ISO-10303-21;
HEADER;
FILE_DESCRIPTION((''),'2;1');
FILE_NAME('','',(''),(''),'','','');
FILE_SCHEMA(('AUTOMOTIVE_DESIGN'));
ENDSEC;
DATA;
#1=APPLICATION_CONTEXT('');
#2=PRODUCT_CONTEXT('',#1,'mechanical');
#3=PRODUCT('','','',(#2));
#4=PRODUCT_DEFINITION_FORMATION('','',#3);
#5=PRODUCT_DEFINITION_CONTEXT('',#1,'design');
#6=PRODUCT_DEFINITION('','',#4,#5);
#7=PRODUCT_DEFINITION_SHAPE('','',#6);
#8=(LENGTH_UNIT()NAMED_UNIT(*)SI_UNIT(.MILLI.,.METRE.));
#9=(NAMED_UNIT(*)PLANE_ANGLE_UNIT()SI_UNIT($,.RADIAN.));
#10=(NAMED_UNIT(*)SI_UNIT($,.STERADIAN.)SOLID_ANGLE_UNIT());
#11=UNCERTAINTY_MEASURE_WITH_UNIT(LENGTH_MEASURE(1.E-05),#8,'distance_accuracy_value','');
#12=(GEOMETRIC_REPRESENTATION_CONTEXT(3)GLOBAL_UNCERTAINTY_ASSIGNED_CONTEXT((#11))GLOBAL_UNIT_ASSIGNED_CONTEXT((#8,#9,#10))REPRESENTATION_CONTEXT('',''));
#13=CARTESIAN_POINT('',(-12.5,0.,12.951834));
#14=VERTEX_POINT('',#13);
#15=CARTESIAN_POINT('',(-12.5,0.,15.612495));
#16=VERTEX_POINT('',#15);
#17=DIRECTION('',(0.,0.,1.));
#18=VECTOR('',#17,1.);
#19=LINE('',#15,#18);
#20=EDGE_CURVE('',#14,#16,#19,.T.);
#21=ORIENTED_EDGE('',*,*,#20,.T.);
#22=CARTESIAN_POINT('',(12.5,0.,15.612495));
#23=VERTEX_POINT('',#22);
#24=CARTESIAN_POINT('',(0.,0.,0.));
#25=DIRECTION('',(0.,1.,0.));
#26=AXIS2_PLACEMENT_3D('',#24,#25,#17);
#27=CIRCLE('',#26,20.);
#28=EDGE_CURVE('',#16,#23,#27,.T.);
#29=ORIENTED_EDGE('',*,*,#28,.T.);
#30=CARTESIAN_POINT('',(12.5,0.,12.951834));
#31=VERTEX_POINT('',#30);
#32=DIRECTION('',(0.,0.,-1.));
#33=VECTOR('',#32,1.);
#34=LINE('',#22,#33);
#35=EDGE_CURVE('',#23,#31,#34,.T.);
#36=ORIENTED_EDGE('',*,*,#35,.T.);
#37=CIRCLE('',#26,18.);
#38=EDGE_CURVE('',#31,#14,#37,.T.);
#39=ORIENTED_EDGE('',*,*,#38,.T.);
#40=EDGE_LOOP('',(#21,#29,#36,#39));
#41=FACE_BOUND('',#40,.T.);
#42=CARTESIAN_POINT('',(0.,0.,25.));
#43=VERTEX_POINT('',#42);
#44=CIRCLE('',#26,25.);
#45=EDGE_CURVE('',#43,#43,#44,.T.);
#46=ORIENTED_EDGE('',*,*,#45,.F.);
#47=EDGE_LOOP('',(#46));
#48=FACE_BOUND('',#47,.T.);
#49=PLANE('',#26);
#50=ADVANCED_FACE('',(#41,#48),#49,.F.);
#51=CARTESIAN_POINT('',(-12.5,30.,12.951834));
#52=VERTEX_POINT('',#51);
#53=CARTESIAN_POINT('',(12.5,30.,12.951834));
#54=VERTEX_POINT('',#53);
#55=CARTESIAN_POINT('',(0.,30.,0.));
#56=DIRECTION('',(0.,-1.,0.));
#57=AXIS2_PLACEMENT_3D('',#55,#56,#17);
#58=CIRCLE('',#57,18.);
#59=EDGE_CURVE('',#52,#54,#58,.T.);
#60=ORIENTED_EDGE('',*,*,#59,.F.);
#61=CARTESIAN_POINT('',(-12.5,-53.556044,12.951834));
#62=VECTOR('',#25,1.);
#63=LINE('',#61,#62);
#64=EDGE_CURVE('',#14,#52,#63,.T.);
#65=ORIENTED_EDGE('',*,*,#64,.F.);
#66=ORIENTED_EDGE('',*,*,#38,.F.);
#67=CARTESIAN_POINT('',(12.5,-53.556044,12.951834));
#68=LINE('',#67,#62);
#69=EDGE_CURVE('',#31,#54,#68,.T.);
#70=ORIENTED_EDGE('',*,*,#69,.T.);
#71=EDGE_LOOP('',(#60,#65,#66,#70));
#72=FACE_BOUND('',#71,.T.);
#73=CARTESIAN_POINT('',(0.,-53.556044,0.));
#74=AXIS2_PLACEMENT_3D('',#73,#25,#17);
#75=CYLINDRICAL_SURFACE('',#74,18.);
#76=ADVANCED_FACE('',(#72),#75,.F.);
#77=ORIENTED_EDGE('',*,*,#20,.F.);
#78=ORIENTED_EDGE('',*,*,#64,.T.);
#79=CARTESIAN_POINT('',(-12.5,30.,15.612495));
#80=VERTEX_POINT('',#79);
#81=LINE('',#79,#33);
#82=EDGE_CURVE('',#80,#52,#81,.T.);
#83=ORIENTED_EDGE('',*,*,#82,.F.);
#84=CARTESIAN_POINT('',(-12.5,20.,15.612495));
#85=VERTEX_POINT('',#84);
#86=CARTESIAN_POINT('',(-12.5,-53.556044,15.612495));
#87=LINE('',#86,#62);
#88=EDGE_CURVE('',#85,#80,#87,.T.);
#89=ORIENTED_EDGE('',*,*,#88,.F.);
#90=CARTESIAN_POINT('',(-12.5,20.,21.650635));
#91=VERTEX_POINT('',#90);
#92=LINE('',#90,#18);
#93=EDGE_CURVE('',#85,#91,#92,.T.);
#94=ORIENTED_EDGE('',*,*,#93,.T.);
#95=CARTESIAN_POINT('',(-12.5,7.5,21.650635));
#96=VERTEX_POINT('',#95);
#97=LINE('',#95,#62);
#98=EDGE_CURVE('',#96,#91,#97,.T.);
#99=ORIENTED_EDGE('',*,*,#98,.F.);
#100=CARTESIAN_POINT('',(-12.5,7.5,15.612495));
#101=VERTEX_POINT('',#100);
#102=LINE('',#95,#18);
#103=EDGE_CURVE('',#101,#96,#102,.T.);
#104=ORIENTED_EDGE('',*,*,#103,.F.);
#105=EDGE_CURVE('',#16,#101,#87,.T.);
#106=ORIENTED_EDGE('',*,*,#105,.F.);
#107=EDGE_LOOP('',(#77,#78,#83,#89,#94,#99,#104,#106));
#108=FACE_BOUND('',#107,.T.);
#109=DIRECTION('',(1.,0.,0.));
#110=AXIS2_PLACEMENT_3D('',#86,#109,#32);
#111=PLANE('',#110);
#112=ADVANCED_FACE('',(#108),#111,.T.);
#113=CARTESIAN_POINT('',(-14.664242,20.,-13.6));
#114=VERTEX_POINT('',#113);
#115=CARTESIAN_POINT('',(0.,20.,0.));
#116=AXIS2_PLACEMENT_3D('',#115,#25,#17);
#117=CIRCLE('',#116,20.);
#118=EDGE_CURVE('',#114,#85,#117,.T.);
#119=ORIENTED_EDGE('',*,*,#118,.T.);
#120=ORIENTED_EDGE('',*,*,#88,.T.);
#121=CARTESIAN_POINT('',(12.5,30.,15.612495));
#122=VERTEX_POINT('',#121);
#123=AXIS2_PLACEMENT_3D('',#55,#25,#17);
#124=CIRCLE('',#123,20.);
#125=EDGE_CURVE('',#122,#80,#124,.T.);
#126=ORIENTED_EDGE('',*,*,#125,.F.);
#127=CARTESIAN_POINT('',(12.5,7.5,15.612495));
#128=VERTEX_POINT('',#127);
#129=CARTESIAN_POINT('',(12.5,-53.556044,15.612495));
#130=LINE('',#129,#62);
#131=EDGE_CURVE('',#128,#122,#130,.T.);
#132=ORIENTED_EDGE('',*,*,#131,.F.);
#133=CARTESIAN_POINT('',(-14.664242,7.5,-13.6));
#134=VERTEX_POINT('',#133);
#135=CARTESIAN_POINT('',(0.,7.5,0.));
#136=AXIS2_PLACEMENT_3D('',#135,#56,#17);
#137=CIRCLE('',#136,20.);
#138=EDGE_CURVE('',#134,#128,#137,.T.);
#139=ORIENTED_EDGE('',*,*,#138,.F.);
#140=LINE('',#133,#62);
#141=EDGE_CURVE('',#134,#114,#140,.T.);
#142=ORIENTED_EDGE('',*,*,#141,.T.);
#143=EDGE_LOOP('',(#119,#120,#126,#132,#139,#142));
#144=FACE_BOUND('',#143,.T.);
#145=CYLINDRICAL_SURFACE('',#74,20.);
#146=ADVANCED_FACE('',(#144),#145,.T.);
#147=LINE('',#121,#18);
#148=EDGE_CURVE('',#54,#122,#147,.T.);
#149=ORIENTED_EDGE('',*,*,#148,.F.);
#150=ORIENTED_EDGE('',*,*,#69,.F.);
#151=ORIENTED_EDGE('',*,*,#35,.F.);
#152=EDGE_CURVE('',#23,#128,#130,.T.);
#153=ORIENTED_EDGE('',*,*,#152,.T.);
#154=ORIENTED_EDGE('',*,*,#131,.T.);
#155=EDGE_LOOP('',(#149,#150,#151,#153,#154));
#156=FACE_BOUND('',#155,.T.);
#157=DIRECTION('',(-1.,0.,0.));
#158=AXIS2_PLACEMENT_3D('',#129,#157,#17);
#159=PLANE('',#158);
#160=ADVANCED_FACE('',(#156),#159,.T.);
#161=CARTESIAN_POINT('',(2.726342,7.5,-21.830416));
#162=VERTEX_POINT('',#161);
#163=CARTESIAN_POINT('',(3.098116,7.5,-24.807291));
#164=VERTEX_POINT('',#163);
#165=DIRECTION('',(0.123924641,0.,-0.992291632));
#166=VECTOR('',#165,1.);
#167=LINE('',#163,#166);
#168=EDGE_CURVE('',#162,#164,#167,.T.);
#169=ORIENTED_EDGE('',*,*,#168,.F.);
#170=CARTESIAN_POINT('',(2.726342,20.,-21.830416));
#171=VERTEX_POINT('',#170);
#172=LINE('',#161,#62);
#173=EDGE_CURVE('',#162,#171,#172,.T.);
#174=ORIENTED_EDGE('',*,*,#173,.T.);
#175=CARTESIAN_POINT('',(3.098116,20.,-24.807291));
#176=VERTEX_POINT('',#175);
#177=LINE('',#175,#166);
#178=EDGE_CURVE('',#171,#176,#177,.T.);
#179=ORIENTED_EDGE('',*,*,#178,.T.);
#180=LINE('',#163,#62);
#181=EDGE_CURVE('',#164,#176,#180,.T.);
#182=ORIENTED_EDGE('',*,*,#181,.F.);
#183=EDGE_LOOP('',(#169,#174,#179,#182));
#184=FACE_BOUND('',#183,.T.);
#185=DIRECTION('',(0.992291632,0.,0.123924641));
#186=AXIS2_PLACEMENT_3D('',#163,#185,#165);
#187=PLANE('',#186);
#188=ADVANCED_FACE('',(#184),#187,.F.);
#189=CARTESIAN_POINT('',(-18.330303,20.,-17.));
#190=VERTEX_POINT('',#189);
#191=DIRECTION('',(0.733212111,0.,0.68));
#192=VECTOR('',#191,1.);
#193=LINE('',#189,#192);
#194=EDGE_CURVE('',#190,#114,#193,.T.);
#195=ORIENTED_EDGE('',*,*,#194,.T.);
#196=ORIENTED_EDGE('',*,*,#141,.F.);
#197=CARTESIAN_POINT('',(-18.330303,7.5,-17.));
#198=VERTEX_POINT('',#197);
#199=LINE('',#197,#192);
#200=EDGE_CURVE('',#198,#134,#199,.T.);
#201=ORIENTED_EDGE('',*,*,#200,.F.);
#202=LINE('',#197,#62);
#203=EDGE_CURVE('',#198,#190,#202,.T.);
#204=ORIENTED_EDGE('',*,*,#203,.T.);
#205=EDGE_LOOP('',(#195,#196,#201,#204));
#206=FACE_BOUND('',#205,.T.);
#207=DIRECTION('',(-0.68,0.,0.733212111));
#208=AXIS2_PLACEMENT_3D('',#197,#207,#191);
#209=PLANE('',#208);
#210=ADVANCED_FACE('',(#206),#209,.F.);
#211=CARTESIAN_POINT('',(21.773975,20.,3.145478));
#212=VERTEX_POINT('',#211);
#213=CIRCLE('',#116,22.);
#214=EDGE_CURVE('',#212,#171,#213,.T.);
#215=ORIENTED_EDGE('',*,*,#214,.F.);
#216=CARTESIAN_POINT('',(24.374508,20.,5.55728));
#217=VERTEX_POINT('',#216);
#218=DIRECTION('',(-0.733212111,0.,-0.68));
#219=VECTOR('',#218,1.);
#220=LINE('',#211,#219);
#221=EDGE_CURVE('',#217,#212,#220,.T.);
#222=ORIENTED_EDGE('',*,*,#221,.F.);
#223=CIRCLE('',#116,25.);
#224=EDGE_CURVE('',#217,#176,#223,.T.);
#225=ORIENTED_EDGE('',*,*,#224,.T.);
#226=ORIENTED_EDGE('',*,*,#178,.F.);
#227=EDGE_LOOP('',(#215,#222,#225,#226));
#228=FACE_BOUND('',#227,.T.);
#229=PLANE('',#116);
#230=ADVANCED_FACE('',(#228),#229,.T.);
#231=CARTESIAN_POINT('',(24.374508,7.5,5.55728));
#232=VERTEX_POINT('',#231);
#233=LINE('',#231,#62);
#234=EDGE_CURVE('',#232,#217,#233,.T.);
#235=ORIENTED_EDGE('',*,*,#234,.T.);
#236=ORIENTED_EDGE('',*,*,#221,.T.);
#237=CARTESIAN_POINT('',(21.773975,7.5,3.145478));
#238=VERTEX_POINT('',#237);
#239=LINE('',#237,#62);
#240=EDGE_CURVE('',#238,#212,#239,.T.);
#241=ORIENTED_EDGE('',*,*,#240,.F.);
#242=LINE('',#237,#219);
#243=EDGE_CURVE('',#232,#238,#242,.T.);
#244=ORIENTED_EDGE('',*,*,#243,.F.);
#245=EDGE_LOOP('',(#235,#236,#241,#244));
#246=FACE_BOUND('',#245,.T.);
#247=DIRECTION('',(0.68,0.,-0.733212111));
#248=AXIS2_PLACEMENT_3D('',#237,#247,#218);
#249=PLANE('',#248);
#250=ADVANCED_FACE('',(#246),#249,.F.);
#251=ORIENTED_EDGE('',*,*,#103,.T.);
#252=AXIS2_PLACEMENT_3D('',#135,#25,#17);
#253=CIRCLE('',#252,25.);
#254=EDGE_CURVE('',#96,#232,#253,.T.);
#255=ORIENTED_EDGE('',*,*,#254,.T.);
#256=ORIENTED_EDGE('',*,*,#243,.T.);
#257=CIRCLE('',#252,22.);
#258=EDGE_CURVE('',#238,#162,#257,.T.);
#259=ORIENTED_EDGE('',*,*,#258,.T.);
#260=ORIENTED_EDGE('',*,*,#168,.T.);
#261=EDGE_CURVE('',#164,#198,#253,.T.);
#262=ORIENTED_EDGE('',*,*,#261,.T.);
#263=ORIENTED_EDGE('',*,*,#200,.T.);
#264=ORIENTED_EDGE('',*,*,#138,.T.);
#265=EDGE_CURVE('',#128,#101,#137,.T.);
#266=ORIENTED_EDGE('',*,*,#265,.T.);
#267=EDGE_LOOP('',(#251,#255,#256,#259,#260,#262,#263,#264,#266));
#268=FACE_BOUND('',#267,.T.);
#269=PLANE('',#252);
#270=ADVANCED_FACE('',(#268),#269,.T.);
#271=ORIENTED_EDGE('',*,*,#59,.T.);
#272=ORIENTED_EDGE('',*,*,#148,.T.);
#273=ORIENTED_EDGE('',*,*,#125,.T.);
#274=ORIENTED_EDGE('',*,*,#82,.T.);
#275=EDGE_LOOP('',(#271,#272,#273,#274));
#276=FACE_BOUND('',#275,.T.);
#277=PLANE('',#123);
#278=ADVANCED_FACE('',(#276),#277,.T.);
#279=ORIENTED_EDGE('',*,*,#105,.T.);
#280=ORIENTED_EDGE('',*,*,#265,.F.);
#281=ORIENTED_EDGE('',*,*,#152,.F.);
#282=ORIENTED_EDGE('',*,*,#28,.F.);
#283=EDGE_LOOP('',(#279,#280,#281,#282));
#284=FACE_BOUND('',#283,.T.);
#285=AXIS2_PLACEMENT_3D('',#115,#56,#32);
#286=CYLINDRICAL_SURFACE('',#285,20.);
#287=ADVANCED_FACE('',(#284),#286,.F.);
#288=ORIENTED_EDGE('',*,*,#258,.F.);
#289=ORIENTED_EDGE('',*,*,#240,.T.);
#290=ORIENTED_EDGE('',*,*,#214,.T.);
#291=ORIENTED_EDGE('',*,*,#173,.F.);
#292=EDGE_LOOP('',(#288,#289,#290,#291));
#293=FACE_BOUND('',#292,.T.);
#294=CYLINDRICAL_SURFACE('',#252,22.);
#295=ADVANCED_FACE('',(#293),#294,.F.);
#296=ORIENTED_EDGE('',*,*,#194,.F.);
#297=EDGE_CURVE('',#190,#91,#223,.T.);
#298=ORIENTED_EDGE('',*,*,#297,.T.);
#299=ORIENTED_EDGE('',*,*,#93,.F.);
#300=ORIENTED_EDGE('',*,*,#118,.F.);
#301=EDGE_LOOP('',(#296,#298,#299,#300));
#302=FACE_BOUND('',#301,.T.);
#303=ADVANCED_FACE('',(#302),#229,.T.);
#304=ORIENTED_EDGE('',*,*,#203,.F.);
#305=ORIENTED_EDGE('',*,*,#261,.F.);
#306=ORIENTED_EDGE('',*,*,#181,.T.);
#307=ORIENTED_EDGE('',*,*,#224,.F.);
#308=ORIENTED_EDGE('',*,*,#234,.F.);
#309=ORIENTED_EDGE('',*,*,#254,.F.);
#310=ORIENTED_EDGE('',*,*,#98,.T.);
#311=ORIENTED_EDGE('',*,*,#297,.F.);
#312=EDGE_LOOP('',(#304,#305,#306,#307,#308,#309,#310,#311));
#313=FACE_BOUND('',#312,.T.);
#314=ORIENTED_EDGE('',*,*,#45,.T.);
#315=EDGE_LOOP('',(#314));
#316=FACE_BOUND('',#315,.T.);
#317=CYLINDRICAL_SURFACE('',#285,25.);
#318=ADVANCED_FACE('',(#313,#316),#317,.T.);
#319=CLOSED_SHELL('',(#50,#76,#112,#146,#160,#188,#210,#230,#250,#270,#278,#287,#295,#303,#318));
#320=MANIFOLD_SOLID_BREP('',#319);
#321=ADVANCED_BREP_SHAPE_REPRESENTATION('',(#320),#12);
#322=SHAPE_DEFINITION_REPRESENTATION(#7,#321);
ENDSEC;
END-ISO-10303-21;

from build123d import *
from build123d.topology import SkipClean

# Parameters (mm, degrees)
ESBO_O1_R                            = 20
RESSALTO_EXTRUS_O2_DEPTH             = 20
RESSALTO_EXTRUS_O3_DEPTH             = 10
RESSALTO_EXTRUS_O3_DIRECTION_2_REACH = 42.62
CORTE_EXTRUS_O2_START                = -12.5
CORTE_EXTRUS_O2_DEPTH                = 12.5


with BuildPart() as part:
    # Esboço1 → Ressalto-extrusão2 (new body)
    with BuildSketch(Plane(origin=(0, 0, 0), x_dir=(1, 0, 0), z_dir=(0, 1, 0))):
        with BuildLine():
            ThreePointArc((-12.5, -21.650635095), (0, -25), (12.5, -21.650635095))
            ThreePointArc((12.5, -21.650635095), (21.650635095, -12.5), (25, 0))
            ThreePointArc((25, 0), (-12.5, 21.650635095), (-12.5, -21.650635095))
        make_face()
        with Locations(Location((0, 0, 0), (0, 0, 270))):
            Circle(ESBO_O1_R, mode=Mode.SUBTRACT)
    extrude(amount=RESSALTO_EXTRUS_O2_DEPTH)

    # Esboço2 → Ressalto-extrusão3 (add)
    with BuildSketch(Plane(origin=(0, 20, 0), x_dir=(1, 0, 0), z_dir=(0, 1, 0))):
        with BuildLine():
            Line((-12.5, -15.612494996), (-12.5, -12.951833847))
            ThreePointArc((-12.5, -12.951833847), (0, 18), (12.5, -12.951833847))
            Line((12.5, -12.951833847), (12.5, -15.612494996))
            ThreePointArc((12.5, -15.612494996), (0, 20), (-12.5, -15.612494996))
        make_face()
    extrude(amount=RESSALTO_EXTRUS_O3_DEPTH)

    # Ressalto-extrusão3 direction 2: up to this face of the body (flat: up to its plane)
    ressalto_extrus_o3_direction_2_end = Plane(part.part.faces().sort_by_distance((12.146446609, 0, -21.038262659))[0])
    # Esboço2 → Ressalto-extrusão3 direction 2 (add, up to the picked face)
    with BuildSketch(Plane(origin=(0, 20, 0), x_dir=(1, 0, 0), z_dir=(0, 1, 0)), mode=Mode.PRIVATE) as ressalto_extrus_o3_direction_2_sk1:
        with BuildLine():
            Line((-12.5, -15.612494996), (-12.5, -12.951833847))
            ThreePointArc((-12.5, -12.951833847), (0, 18), (12.5, -12.951833847))
            Line((12.5, -12.951833847), (12.5, -15.612494996))
            ThreePointArc((12.5, -15.612494996), (0, 20), (-12.5, -15.612494996))
        make_face()
    ressalto_extrus_o3_direction_2_tool1 = split(extrude(ressalto_extrus_o3_direction_2_sk1.sketch, amount=-RESSALTO_EXTRUS_O3_DIRECTION_2_REACH, mode=Mode.PRIVATE), bisect_by=ressalto_extrus_o3_direction_2_end, keep=Keep.BOTH, mode=Mode.PRIVATE)
    add(ressalto_extrus_o3_direction_2_tool1.solids().sort_by(Axis((13.03556, 20, 14.282164), (0, -1, 0)))[0])

    # Esboço3 → Corte-extrusão2 (cut)
    with SkipClean():  # the faces are left unmerged after this step: merging them gives an invalid solid
        with BuildSketch(Plane(origin=(0, 20, 0), x_dir=(1, 0, 0), z_dir=(0, 1, 0)).offset(CORTE_EXTRUS_O2_START)):
            with BuildLine():
                Line((-18.33030278, 17), (-14.664242224, 13.6))
                ThreePointArc((-14.664242224, 13.6), (19.945337297, 1.477673891), (-12.5, -15.612494996))
                Line((-12.5, -15.612494996), (-12.5, -21.650635095))
                ThreePointArc((-12.5, -21.650635095), (10, -22.912878475), (24.374507866, -5.557280474))
                Line((24.374507866, -5.557280474), (21.773974537, -3.145478163))
                ThreePointArc((21.773974537, -3.145478163), (17.493290141, 13.341094409), (2.726342097, 21.830415909))
                Line((2.726342097, 21.830415909), (3.098116019, 24.807290806))
                ThreePointArc((3.098116019, 24.807290806), (-8.558231465, 23.489501361), (-18.33030278, 17))
            make_face()
        extrude(amount=CORTE_EXTRUS_O2_DEPTH, mode=Mode.SUBTRACT)


solid = part.part
